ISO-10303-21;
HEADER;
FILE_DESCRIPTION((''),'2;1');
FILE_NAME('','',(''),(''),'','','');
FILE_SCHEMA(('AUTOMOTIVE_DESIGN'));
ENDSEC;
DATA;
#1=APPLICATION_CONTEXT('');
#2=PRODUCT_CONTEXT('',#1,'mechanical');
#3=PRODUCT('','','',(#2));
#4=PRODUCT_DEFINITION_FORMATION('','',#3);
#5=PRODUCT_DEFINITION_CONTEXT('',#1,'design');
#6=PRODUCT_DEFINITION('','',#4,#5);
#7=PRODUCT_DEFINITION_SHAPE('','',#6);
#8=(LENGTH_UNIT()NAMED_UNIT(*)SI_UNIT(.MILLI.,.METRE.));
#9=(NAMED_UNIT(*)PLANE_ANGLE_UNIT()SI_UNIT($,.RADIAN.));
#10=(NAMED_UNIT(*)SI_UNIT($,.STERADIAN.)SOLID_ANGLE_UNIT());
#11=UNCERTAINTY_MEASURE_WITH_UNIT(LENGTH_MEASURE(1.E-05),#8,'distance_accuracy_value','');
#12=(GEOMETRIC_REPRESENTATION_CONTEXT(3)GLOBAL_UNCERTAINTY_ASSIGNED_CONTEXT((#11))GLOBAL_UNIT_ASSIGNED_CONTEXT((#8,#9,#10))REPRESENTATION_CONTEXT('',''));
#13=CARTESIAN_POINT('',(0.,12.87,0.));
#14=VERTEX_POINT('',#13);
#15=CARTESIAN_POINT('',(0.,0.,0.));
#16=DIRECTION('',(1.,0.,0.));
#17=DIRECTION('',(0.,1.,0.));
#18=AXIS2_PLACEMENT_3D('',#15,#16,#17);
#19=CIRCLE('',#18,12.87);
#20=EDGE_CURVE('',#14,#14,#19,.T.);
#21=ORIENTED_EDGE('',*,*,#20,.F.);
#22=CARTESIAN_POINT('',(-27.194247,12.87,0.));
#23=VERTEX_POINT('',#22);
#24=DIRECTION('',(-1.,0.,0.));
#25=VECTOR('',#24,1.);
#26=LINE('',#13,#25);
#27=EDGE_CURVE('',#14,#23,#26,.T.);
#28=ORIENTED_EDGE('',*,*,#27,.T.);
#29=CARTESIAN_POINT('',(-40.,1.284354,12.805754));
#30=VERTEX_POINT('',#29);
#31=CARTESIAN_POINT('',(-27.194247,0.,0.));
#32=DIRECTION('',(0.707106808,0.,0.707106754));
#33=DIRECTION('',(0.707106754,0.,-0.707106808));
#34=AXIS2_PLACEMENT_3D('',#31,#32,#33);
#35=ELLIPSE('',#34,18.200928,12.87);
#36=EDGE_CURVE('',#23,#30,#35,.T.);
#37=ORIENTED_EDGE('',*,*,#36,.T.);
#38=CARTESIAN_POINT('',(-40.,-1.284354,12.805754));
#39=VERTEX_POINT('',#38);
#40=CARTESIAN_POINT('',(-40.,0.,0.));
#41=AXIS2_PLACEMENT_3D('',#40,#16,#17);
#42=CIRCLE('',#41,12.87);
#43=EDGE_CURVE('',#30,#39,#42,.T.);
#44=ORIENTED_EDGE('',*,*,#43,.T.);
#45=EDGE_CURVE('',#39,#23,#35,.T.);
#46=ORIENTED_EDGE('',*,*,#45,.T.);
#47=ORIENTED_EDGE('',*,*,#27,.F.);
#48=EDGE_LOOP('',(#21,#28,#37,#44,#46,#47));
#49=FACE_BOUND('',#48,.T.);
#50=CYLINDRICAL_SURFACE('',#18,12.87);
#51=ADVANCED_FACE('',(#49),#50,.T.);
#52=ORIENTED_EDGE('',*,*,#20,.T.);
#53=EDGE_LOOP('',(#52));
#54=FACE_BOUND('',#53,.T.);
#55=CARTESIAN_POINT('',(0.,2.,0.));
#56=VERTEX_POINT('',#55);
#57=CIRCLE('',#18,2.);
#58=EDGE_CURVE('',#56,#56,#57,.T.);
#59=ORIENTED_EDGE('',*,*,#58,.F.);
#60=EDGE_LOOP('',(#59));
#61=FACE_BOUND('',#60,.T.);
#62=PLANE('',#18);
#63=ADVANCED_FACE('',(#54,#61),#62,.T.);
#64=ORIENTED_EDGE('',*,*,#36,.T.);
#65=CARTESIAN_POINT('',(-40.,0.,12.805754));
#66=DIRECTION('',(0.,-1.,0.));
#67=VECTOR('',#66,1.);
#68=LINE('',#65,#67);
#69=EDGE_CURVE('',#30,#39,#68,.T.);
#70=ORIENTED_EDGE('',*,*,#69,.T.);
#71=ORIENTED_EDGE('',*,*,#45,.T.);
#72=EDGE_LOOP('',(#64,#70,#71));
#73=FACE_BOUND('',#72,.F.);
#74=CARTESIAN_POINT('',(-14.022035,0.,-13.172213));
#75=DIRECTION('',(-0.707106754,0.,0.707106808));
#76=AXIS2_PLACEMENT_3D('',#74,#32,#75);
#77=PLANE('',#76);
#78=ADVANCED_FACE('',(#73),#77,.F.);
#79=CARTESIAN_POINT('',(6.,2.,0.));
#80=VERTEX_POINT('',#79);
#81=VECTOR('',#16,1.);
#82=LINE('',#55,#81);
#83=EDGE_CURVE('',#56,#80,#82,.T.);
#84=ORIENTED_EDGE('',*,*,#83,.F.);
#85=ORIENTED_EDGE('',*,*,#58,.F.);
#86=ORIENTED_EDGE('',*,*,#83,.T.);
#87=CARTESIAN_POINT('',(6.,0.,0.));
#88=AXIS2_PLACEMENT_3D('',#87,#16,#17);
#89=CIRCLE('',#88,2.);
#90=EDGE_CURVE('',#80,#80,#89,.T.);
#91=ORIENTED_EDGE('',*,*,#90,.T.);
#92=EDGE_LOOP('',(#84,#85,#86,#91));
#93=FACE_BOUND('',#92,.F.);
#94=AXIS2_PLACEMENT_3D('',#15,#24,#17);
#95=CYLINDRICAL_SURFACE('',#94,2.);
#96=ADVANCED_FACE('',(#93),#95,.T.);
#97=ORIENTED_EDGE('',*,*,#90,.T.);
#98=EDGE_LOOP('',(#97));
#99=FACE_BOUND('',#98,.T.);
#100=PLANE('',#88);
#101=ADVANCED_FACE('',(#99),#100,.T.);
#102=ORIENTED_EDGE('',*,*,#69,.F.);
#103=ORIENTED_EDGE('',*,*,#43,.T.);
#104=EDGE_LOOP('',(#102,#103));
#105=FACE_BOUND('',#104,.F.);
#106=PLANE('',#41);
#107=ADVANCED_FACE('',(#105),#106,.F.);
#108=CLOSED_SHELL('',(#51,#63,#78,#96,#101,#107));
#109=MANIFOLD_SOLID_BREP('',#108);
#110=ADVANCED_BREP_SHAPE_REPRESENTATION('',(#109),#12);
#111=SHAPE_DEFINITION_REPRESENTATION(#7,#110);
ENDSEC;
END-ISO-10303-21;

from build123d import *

# Parameters (mm, degrees)
F0_R     = 12.87
F1_DEPTH = 40
F3_DEPTH = 15
F4_R     = 2
F5_DEPTH = 6


with BuildPart() as f1:
    # F0 (on Right) → F1 (new body)
    with BuildSketch(Plane.YZ):
        Circle(F0_R)
    extrude(amount=-F1_DEPTH)

    # F2 (on Front) → F3 (cut, symmetric)
    with BuildSketch(Plane.XZ):
        Polygon((-14.022035, -13.172213), (-40.083185, 12.888939), (-40.083185, -13.172213), align=None)
    extrude(amount=F3_DEPTH, both=True, mode=Mode.SUBTRACT)

    # F4 (on face) → F5 (join)
    with BuildSketch(Plane.YZ):
        Circle(F4_R)
    extrude(amount=F5_DEPTH)


solid = f1.part
